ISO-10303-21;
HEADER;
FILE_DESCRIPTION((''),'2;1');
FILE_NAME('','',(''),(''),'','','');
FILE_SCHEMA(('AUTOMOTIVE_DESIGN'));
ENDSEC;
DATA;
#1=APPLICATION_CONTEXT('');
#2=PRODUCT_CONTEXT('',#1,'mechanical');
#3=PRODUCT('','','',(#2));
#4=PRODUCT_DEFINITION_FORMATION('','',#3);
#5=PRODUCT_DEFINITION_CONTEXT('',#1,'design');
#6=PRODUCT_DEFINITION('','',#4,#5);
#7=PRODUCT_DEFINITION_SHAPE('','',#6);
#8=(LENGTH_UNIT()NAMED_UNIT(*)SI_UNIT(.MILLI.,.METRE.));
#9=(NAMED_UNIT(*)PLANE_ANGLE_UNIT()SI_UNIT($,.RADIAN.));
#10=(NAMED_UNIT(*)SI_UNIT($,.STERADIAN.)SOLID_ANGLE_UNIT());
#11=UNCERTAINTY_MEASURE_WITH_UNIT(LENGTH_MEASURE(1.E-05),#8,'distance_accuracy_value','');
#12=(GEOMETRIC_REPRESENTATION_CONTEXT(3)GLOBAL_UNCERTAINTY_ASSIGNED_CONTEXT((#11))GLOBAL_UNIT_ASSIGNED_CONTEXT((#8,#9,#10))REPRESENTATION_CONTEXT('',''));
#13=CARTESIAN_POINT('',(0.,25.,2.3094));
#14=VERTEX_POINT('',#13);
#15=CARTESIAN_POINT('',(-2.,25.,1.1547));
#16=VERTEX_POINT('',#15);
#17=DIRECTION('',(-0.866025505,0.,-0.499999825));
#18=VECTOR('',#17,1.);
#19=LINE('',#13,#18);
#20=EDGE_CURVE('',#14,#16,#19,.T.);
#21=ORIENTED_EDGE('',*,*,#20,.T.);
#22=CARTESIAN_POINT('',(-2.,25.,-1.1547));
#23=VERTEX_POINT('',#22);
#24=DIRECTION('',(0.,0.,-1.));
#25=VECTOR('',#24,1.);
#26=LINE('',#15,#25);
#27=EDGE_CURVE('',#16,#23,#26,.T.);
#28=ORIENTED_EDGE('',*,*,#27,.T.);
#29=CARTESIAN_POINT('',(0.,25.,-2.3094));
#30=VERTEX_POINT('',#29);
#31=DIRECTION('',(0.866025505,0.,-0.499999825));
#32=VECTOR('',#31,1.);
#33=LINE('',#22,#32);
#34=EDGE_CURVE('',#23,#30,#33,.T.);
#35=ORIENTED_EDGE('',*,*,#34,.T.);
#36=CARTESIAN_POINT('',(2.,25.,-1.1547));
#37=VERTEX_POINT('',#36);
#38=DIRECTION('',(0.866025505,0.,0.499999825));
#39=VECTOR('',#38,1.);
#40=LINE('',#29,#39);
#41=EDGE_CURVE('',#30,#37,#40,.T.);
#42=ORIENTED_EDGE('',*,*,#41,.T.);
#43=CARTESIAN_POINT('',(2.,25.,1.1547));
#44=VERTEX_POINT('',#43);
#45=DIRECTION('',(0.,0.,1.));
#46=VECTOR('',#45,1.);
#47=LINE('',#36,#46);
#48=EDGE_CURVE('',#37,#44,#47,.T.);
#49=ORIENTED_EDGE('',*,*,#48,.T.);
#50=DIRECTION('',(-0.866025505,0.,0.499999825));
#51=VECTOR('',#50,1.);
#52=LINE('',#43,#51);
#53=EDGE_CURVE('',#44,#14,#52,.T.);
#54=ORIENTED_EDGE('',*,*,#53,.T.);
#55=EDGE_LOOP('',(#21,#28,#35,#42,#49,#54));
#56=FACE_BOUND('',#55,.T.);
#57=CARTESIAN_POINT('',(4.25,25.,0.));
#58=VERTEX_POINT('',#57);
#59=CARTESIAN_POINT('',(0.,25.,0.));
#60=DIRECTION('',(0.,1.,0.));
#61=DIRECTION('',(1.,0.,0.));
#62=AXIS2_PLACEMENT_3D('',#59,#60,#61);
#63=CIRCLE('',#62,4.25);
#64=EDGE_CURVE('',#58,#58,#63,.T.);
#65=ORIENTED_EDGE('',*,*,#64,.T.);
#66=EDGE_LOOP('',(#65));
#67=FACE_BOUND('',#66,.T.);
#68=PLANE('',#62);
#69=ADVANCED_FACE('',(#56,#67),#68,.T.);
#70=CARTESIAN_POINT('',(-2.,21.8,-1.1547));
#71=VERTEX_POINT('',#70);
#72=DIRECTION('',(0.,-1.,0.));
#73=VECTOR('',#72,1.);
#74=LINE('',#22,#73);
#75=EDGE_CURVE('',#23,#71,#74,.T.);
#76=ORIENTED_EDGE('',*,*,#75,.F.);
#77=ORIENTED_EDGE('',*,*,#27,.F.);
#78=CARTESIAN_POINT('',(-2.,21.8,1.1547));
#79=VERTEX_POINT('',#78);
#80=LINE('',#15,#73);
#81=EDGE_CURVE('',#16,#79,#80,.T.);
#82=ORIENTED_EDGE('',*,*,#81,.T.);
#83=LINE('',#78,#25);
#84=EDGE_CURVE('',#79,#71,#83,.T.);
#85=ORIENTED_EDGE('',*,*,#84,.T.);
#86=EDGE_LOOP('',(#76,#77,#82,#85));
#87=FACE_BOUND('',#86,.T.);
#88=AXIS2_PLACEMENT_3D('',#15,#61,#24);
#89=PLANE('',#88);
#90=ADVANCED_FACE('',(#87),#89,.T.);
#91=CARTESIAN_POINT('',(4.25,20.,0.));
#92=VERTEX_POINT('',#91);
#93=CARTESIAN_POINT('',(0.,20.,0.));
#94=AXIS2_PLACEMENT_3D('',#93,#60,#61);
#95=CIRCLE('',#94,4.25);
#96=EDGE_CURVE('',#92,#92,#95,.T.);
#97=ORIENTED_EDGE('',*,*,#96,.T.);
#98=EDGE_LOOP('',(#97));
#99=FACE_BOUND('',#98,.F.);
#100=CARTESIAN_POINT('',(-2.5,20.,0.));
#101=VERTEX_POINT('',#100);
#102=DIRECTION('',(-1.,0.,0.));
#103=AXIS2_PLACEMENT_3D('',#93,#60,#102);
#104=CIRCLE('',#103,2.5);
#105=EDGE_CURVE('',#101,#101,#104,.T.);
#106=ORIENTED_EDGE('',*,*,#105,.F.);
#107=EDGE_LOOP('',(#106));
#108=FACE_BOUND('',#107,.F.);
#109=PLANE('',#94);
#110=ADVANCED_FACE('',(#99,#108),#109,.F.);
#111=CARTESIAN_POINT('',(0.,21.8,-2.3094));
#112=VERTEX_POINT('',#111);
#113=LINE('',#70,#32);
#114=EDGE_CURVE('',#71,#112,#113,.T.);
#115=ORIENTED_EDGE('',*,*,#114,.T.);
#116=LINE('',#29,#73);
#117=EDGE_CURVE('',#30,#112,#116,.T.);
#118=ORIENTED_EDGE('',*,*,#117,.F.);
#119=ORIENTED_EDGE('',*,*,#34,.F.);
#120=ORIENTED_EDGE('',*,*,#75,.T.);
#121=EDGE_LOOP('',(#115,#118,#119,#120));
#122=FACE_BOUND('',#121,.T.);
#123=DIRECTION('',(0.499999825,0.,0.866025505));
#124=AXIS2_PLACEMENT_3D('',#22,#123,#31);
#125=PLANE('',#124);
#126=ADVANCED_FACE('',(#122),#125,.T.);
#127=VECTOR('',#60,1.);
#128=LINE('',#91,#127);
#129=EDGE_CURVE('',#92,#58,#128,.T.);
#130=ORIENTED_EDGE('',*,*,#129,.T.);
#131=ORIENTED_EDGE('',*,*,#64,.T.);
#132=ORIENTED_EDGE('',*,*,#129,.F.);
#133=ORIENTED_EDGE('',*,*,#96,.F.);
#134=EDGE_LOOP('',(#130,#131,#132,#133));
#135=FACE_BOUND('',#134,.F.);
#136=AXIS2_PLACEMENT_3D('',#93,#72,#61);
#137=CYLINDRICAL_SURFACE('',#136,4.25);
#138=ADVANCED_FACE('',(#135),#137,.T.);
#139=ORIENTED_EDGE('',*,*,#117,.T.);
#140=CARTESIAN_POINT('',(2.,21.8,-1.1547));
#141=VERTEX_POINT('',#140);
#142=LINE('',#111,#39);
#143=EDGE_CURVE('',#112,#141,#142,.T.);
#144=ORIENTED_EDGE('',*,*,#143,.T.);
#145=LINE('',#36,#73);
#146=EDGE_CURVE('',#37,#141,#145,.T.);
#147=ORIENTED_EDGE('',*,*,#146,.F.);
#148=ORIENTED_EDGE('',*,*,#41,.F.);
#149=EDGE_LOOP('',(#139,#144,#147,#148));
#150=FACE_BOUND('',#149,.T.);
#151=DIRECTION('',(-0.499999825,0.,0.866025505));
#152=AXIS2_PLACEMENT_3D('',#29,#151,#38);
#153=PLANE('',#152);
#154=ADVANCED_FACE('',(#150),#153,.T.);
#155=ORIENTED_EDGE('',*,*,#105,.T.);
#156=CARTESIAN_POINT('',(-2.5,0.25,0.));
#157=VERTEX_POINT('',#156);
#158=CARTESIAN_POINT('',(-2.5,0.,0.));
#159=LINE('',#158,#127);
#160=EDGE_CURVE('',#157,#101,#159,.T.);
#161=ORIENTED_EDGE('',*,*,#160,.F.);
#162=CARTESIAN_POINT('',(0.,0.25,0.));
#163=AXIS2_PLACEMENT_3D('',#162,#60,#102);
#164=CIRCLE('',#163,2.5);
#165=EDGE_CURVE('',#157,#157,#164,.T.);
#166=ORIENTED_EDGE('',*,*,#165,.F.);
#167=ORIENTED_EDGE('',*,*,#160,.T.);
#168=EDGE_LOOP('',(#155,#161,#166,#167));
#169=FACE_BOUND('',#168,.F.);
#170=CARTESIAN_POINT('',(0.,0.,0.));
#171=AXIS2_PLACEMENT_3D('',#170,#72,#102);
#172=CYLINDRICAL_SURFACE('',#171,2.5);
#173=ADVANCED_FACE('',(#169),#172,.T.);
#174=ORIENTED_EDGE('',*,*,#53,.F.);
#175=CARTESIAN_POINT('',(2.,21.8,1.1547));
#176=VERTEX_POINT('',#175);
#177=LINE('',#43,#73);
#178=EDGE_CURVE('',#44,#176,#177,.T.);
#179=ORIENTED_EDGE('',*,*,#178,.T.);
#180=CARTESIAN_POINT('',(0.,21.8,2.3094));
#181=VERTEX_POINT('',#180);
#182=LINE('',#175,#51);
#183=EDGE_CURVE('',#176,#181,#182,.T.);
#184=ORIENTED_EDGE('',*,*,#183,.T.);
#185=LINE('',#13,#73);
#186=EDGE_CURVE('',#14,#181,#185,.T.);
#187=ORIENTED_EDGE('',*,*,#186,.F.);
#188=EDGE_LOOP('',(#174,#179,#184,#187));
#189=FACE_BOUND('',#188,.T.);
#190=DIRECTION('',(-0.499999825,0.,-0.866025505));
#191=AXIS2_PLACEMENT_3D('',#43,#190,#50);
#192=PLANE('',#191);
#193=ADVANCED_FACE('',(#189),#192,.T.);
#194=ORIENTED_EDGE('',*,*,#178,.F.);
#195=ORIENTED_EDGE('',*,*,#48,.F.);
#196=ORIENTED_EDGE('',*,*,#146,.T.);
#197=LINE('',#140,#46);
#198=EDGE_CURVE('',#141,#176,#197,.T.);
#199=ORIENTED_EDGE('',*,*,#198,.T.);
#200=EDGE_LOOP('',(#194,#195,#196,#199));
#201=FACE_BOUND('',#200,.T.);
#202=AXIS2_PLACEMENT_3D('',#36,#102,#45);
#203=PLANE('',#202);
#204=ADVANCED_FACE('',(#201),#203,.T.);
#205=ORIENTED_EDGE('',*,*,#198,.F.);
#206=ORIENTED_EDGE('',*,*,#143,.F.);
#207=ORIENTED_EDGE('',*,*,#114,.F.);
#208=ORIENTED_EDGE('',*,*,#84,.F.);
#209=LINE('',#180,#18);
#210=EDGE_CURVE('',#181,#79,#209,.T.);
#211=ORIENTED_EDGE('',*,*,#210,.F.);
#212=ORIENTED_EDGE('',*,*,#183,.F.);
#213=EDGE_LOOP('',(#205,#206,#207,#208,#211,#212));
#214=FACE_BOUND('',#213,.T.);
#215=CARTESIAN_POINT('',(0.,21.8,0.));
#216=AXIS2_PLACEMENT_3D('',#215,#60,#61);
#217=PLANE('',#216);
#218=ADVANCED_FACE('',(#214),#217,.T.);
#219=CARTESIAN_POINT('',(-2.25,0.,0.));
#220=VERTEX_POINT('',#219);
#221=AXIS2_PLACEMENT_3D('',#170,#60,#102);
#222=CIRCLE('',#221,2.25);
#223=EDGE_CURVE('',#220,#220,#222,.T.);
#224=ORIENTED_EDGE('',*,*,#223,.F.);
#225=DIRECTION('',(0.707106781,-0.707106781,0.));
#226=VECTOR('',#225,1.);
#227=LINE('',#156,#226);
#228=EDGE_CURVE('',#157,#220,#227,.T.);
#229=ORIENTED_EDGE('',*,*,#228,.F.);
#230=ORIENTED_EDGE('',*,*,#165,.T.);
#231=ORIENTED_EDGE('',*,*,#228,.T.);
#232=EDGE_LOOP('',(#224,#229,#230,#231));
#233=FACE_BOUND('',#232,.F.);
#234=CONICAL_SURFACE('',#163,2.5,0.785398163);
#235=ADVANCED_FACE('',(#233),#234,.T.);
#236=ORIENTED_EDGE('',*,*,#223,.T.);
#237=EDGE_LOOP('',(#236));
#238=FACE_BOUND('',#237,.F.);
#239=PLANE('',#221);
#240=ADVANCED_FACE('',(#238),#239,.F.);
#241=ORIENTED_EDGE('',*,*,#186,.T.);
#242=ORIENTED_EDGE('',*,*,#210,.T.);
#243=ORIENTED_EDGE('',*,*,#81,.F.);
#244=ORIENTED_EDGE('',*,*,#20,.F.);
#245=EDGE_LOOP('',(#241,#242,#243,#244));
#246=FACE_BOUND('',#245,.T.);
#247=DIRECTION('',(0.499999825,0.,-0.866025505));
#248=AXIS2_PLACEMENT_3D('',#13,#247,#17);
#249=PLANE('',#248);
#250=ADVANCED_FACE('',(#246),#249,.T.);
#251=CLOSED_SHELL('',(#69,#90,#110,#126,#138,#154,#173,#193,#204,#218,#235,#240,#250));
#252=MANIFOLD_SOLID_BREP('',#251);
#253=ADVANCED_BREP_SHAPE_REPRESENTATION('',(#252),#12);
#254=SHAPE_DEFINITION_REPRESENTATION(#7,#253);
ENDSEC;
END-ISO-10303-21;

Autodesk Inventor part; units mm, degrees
ref_plane "YZ Plane" through (0, 0, 0) normal (1, 0, 0) x (0, 1, 0)
ref_plane "XZ Plane" through (0, 0, 0) normal (0, 1, 0) x (-1, 0, 0)
ref_plane "XY Plane" through (0, 0, 0) normal (0, 0, 1) x (1, 0, 0)
sketch "Sketch1" plane through (0, 0, 0) normal (0, 1, 0) x (-1, 0, 0)
  circle A0 centre (0, 0) radius 2.5
  dimension "d0" = 5
extrude "Extrusion1" add sketch "Sketch1" along normal blind 20
sketch "Sketch2" plane through (0, 20, 0) normal (0, 1, 0) x (1, 0, 0)
  circle A0 centre (0, 0) radius 2.5 projected
  circle A1 centre (0, 0) radius 4.25
  dimension "d3" = 8.5
extrude "Extrusion2" add sketch "Sketch2" along normal blind 5 contours A0 | A1
sketch "Sketch3" plane through (0, 25, 0) normal (0, 1, 0) x (1, 0, 0)
  circle A0 centre (0, 0) radius 4.25 projected
  line L0 (0, 2.3094) -> (2, 1.1547)
  line L1 (2, 1.1547) -> (2, -1.1547)
  line L2 (2, -1.1547) -> (0, -2.3094)
  line L3 (0, -2.3094) -> (-2, -1.1547)
  line L4 (-2, -1.1547) -> (-2, 1.1547)
  line L5 (-2, 1.1547) -> (0, 2.3094)
  dimension "d6" = 2
extrude "Extrusion3" cut sketch "Sketch3" against normal blind 3.2 contours L0 L1 L2 L3 L4 L5
thread "Thread1" size "M5x0.8" class "6g" standard "ANSI Metric M Profile" full length
chamfer "Chamfer1" distance 0.25 angle 45 1 edges at (2.5, 0, 0)
properties part number "M5x22SHCS" material "Stainless Steel"
